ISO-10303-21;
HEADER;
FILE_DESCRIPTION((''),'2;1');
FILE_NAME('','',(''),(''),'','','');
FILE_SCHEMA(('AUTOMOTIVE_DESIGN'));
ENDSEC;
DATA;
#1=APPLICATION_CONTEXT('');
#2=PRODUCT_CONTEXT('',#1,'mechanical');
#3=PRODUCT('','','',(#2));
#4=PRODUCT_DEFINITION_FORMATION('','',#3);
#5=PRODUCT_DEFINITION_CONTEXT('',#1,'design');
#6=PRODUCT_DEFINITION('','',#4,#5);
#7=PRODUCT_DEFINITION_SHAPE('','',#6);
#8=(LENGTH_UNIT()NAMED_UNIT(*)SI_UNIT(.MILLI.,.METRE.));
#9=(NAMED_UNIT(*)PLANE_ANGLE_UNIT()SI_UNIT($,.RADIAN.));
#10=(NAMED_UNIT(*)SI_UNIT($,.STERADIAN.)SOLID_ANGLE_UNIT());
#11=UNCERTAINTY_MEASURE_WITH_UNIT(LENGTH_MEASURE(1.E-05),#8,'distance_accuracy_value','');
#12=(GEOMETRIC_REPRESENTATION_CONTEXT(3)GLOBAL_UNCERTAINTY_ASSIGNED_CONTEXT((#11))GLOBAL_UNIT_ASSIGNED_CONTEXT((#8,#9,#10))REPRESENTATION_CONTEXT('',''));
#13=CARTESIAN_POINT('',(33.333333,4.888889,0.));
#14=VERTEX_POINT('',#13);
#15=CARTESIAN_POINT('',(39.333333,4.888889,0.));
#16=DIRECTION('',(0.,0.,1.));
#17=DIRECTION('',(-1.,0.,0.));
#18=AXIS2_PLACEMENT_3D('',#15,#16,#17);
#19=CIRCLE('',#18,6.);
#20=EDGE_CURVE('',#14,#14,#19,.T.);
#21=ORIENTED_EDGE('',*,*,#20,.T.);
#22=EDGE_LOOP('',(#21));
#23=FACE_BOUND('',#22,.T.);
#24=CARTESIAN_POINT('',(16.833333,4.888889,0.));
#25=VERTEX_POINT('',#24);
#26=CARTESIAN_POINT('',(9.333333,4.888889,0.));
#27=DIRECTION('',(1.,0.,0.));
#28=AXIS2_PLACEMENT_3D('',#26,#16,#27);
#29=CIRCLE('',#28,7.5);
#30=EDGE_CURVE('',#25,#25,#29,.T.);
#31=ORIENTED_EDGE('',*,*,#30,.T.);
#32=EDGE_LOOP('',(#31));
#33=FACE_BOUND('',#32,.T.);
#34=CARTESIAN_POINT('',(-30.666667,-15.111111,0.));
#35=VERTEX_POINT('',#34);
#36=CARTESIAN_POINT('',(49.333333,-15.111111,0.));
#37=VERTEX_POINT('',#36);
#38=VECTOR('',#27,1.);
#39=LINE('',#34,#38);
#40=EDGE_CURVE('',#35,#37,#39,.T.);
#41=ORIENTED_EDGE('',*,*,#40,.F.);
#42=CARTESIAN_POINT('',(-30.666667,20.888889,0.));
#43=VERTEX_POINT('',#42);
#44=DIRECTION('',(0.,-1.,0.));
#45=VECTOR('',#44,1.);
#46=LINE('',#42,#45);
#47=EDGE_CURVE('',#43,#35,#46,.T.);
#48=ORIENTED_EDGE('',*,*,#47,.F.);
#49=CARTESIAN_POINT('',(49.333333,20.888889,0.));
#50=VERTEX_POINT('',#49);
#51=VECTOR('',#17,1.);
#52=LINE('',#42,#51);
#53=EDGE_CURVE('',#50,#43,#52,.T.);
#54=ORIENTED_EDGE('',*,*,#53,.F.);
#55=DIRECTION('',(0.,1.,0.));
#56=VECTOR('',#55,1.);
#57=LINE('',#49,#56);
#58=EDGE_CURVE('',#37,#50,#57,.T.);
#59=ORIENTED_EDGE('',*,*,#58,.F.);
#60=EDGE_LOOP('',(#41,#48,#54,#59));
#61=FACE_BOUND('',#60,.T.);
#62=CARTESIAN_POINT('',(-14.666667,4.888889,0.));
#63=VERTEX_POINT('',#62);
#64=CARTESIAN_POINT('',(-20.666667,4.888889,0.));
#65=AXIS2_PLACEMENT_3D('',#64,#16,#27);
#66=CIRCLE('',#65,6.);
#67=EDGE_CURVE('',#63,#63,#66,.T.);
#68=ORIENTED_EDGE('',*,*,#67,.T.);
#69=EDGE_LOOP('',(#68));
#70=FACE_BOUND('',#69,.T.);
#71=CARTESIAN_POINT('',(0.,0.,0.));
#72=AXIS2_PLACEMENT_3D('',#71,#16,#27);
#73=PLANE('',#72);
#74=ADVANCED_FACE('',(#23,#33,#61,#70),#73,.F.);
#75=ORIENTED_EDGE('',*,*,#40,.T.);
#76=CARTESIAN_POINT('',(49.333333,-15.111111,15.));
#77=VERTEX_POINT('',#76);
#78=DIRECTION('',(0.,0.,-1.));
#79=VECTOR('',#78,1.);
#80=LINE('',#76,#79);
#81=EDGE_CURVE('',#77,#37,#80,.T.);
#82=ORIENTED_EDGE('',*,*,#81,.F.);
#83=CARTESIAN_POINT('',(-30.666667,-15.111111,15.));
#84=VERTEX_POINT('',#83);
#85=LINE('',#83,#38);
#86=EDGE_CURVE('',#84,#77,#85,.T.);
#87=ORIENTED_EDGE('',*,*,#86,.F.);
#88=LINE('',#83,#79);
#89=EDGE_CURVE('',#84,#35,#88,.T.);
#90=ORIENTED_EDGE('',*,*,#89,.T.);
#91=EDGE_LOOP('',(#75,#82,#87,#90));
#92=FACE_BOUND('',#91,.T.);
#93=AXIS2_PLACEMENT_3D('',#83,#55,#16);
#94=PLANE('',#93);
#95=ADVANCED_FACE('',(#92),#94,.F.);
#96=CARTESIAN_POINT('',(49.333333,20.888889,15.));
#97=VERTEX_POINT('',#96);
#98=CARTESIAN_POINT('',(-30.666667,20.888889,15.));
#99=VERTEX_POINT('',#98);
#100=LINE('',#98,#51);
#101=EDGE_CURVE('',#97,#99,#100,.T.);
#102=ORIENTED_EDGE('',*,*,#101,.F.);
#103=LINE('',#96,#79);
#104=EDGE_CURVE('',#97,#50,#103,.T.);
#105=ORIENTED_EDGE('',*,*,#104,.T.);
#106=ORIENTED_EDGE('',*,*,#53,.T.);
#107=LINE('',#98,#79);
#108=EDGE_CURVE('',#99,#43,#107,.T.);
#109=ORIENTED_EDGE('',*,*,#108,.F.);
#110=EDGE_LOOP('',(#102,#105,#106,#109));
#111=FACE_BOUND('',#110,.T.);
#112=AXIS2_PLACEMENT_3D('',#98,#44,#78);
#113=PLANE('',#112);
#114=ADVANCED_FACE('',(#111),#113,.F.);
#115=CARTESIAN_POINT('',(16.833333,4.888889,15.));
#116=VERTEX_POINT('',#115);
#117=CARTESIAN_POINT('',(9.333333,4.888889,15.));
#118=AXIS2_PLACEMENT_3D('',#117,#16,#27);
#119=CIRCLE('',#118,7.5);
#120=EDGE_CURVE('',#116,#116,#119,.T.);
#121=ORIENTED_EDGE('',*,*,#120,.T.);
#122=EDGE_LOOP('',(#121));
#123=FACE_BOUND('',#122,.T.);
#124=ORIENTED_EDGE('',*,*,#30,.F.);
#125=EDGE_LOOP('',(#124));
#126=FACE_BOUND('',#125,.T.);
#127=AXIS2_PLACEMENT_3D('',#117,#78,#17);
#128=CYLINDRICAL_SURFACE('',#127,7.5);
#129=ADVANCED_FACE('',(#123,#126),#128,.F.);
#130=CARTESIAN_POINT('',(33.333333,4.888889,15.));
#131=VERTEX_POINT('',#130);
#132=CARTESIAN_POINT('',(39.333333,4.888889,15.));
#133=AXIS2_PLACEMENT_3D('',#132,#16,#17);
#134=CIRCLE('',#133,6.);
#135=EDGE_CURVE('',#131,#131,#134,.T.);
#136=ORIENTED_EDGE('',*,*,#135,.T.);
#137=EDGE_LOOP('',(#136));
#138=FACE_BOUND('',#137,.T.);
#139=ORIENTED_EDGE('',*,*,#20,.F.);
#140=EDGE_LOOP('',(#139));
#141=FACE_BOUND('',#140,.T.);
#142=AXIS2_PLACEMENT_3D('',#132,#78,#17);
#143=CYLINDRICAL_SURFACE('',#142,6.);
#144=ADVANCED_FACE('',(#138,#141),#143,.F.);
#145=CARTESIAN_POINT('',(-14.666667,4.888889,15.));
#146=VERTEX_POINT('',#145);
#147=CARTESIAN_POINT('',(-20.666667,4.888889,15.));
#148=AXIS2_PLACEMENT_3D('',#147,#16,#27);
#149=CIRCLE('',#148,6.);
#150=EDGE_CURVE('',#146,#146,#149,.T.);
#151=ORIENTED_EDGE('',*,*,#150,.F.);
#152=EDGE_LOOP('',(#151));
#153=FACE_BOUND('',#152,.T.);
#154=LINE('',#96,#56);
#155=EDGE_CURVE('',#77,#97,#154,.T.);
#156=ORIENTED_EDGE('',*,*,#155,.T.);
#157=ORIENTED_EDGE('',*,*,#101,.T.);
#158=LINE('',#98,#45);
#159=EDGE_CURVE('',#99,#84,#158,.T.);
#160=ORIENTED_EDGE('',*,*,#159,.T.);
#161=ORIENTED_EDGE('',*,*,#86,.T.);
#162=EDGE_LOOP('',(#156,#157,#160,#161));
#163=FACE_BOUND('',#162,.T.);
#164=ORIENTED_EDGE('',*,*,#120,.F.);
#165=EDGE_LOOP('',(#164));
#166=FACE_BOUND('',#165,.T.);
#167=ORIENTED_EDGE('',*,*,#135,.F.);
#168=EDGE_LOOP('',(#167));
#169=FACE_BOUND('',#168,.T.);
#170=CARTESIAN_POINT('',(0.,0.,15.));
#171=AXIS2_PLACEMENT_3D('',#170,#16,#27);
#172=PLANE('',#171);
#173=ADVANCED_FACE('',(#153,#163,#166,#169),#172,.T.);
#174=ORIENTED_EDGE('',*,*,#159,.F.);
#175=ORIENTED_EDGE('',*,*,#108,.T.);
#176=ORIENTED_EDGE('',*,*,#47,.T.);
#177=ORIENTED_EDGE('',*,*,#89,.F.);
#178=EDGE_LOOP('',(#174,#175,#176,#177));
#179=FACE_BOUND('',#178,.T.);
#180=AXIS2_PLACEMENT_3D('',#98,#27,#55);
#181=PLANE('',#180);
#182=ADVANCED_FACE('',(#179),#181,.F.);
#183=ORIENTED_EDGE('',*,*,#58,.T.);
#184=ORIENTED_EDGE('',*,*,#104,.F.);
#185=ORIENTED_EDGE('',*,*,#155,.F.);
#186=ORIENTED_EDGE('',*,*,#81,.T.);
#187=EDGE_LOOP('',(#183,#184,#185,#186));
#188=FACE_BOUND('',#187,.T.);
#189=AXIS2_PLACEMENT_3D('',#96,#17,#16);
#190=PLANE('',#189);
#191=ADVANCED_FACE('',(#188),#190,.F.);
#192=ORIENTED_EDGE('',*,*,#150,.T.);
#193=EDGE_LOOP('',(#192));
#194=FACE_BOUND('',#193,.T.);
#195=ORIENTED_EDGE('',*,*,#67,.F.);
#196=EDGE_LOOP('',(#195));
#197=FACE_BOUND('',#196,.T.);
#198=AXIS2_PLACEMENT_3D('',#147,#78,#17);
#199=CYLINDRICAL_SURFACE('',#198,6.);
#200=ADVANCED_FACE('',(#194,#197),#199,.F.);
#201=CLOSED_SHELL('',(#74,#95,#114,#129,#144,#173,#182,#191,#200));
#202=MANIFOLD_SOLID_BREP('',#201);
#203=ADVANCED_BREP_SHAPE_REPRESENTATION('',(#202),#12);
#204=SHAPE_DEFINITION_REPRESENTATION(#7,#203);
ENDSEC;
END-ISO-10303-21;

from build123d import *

# Parameters (mm, degrees)
SKETCH_1_W      = 80
SKETCH_1_H      = 36
SKETCH_1_R      = 6
SKETCH_1_R_2    = 7.5
EXTRUDE_1_DEPTH = 15


with BuildPart() as part:
    # 草图1 → 凸台-拉伸1 (new body)
    with BuildSketch(Plane.XY):
        with Locations((9.333333333, 2.888888889)):
            Rectangle(SKETCH_1_W, SKETCH_1_H)
        with Locations((-20.666666667, 4.888888889)):
            Circle(SKETCH_1_R, mode=Mode.SUBTRACT)
        with Locations((9.333333333, 4.888888889)):
            Circle(SKETCH_1_R_2, mode=Mode.SUBTRACT)
        with Locations((39.333333333, 4.888888889)):
            Circle(SKETCH_1_R, mode=Mode.SUBTRACT)
    extrude(amount=EXTRUDE_1_DEPTH)


solid = part.part
